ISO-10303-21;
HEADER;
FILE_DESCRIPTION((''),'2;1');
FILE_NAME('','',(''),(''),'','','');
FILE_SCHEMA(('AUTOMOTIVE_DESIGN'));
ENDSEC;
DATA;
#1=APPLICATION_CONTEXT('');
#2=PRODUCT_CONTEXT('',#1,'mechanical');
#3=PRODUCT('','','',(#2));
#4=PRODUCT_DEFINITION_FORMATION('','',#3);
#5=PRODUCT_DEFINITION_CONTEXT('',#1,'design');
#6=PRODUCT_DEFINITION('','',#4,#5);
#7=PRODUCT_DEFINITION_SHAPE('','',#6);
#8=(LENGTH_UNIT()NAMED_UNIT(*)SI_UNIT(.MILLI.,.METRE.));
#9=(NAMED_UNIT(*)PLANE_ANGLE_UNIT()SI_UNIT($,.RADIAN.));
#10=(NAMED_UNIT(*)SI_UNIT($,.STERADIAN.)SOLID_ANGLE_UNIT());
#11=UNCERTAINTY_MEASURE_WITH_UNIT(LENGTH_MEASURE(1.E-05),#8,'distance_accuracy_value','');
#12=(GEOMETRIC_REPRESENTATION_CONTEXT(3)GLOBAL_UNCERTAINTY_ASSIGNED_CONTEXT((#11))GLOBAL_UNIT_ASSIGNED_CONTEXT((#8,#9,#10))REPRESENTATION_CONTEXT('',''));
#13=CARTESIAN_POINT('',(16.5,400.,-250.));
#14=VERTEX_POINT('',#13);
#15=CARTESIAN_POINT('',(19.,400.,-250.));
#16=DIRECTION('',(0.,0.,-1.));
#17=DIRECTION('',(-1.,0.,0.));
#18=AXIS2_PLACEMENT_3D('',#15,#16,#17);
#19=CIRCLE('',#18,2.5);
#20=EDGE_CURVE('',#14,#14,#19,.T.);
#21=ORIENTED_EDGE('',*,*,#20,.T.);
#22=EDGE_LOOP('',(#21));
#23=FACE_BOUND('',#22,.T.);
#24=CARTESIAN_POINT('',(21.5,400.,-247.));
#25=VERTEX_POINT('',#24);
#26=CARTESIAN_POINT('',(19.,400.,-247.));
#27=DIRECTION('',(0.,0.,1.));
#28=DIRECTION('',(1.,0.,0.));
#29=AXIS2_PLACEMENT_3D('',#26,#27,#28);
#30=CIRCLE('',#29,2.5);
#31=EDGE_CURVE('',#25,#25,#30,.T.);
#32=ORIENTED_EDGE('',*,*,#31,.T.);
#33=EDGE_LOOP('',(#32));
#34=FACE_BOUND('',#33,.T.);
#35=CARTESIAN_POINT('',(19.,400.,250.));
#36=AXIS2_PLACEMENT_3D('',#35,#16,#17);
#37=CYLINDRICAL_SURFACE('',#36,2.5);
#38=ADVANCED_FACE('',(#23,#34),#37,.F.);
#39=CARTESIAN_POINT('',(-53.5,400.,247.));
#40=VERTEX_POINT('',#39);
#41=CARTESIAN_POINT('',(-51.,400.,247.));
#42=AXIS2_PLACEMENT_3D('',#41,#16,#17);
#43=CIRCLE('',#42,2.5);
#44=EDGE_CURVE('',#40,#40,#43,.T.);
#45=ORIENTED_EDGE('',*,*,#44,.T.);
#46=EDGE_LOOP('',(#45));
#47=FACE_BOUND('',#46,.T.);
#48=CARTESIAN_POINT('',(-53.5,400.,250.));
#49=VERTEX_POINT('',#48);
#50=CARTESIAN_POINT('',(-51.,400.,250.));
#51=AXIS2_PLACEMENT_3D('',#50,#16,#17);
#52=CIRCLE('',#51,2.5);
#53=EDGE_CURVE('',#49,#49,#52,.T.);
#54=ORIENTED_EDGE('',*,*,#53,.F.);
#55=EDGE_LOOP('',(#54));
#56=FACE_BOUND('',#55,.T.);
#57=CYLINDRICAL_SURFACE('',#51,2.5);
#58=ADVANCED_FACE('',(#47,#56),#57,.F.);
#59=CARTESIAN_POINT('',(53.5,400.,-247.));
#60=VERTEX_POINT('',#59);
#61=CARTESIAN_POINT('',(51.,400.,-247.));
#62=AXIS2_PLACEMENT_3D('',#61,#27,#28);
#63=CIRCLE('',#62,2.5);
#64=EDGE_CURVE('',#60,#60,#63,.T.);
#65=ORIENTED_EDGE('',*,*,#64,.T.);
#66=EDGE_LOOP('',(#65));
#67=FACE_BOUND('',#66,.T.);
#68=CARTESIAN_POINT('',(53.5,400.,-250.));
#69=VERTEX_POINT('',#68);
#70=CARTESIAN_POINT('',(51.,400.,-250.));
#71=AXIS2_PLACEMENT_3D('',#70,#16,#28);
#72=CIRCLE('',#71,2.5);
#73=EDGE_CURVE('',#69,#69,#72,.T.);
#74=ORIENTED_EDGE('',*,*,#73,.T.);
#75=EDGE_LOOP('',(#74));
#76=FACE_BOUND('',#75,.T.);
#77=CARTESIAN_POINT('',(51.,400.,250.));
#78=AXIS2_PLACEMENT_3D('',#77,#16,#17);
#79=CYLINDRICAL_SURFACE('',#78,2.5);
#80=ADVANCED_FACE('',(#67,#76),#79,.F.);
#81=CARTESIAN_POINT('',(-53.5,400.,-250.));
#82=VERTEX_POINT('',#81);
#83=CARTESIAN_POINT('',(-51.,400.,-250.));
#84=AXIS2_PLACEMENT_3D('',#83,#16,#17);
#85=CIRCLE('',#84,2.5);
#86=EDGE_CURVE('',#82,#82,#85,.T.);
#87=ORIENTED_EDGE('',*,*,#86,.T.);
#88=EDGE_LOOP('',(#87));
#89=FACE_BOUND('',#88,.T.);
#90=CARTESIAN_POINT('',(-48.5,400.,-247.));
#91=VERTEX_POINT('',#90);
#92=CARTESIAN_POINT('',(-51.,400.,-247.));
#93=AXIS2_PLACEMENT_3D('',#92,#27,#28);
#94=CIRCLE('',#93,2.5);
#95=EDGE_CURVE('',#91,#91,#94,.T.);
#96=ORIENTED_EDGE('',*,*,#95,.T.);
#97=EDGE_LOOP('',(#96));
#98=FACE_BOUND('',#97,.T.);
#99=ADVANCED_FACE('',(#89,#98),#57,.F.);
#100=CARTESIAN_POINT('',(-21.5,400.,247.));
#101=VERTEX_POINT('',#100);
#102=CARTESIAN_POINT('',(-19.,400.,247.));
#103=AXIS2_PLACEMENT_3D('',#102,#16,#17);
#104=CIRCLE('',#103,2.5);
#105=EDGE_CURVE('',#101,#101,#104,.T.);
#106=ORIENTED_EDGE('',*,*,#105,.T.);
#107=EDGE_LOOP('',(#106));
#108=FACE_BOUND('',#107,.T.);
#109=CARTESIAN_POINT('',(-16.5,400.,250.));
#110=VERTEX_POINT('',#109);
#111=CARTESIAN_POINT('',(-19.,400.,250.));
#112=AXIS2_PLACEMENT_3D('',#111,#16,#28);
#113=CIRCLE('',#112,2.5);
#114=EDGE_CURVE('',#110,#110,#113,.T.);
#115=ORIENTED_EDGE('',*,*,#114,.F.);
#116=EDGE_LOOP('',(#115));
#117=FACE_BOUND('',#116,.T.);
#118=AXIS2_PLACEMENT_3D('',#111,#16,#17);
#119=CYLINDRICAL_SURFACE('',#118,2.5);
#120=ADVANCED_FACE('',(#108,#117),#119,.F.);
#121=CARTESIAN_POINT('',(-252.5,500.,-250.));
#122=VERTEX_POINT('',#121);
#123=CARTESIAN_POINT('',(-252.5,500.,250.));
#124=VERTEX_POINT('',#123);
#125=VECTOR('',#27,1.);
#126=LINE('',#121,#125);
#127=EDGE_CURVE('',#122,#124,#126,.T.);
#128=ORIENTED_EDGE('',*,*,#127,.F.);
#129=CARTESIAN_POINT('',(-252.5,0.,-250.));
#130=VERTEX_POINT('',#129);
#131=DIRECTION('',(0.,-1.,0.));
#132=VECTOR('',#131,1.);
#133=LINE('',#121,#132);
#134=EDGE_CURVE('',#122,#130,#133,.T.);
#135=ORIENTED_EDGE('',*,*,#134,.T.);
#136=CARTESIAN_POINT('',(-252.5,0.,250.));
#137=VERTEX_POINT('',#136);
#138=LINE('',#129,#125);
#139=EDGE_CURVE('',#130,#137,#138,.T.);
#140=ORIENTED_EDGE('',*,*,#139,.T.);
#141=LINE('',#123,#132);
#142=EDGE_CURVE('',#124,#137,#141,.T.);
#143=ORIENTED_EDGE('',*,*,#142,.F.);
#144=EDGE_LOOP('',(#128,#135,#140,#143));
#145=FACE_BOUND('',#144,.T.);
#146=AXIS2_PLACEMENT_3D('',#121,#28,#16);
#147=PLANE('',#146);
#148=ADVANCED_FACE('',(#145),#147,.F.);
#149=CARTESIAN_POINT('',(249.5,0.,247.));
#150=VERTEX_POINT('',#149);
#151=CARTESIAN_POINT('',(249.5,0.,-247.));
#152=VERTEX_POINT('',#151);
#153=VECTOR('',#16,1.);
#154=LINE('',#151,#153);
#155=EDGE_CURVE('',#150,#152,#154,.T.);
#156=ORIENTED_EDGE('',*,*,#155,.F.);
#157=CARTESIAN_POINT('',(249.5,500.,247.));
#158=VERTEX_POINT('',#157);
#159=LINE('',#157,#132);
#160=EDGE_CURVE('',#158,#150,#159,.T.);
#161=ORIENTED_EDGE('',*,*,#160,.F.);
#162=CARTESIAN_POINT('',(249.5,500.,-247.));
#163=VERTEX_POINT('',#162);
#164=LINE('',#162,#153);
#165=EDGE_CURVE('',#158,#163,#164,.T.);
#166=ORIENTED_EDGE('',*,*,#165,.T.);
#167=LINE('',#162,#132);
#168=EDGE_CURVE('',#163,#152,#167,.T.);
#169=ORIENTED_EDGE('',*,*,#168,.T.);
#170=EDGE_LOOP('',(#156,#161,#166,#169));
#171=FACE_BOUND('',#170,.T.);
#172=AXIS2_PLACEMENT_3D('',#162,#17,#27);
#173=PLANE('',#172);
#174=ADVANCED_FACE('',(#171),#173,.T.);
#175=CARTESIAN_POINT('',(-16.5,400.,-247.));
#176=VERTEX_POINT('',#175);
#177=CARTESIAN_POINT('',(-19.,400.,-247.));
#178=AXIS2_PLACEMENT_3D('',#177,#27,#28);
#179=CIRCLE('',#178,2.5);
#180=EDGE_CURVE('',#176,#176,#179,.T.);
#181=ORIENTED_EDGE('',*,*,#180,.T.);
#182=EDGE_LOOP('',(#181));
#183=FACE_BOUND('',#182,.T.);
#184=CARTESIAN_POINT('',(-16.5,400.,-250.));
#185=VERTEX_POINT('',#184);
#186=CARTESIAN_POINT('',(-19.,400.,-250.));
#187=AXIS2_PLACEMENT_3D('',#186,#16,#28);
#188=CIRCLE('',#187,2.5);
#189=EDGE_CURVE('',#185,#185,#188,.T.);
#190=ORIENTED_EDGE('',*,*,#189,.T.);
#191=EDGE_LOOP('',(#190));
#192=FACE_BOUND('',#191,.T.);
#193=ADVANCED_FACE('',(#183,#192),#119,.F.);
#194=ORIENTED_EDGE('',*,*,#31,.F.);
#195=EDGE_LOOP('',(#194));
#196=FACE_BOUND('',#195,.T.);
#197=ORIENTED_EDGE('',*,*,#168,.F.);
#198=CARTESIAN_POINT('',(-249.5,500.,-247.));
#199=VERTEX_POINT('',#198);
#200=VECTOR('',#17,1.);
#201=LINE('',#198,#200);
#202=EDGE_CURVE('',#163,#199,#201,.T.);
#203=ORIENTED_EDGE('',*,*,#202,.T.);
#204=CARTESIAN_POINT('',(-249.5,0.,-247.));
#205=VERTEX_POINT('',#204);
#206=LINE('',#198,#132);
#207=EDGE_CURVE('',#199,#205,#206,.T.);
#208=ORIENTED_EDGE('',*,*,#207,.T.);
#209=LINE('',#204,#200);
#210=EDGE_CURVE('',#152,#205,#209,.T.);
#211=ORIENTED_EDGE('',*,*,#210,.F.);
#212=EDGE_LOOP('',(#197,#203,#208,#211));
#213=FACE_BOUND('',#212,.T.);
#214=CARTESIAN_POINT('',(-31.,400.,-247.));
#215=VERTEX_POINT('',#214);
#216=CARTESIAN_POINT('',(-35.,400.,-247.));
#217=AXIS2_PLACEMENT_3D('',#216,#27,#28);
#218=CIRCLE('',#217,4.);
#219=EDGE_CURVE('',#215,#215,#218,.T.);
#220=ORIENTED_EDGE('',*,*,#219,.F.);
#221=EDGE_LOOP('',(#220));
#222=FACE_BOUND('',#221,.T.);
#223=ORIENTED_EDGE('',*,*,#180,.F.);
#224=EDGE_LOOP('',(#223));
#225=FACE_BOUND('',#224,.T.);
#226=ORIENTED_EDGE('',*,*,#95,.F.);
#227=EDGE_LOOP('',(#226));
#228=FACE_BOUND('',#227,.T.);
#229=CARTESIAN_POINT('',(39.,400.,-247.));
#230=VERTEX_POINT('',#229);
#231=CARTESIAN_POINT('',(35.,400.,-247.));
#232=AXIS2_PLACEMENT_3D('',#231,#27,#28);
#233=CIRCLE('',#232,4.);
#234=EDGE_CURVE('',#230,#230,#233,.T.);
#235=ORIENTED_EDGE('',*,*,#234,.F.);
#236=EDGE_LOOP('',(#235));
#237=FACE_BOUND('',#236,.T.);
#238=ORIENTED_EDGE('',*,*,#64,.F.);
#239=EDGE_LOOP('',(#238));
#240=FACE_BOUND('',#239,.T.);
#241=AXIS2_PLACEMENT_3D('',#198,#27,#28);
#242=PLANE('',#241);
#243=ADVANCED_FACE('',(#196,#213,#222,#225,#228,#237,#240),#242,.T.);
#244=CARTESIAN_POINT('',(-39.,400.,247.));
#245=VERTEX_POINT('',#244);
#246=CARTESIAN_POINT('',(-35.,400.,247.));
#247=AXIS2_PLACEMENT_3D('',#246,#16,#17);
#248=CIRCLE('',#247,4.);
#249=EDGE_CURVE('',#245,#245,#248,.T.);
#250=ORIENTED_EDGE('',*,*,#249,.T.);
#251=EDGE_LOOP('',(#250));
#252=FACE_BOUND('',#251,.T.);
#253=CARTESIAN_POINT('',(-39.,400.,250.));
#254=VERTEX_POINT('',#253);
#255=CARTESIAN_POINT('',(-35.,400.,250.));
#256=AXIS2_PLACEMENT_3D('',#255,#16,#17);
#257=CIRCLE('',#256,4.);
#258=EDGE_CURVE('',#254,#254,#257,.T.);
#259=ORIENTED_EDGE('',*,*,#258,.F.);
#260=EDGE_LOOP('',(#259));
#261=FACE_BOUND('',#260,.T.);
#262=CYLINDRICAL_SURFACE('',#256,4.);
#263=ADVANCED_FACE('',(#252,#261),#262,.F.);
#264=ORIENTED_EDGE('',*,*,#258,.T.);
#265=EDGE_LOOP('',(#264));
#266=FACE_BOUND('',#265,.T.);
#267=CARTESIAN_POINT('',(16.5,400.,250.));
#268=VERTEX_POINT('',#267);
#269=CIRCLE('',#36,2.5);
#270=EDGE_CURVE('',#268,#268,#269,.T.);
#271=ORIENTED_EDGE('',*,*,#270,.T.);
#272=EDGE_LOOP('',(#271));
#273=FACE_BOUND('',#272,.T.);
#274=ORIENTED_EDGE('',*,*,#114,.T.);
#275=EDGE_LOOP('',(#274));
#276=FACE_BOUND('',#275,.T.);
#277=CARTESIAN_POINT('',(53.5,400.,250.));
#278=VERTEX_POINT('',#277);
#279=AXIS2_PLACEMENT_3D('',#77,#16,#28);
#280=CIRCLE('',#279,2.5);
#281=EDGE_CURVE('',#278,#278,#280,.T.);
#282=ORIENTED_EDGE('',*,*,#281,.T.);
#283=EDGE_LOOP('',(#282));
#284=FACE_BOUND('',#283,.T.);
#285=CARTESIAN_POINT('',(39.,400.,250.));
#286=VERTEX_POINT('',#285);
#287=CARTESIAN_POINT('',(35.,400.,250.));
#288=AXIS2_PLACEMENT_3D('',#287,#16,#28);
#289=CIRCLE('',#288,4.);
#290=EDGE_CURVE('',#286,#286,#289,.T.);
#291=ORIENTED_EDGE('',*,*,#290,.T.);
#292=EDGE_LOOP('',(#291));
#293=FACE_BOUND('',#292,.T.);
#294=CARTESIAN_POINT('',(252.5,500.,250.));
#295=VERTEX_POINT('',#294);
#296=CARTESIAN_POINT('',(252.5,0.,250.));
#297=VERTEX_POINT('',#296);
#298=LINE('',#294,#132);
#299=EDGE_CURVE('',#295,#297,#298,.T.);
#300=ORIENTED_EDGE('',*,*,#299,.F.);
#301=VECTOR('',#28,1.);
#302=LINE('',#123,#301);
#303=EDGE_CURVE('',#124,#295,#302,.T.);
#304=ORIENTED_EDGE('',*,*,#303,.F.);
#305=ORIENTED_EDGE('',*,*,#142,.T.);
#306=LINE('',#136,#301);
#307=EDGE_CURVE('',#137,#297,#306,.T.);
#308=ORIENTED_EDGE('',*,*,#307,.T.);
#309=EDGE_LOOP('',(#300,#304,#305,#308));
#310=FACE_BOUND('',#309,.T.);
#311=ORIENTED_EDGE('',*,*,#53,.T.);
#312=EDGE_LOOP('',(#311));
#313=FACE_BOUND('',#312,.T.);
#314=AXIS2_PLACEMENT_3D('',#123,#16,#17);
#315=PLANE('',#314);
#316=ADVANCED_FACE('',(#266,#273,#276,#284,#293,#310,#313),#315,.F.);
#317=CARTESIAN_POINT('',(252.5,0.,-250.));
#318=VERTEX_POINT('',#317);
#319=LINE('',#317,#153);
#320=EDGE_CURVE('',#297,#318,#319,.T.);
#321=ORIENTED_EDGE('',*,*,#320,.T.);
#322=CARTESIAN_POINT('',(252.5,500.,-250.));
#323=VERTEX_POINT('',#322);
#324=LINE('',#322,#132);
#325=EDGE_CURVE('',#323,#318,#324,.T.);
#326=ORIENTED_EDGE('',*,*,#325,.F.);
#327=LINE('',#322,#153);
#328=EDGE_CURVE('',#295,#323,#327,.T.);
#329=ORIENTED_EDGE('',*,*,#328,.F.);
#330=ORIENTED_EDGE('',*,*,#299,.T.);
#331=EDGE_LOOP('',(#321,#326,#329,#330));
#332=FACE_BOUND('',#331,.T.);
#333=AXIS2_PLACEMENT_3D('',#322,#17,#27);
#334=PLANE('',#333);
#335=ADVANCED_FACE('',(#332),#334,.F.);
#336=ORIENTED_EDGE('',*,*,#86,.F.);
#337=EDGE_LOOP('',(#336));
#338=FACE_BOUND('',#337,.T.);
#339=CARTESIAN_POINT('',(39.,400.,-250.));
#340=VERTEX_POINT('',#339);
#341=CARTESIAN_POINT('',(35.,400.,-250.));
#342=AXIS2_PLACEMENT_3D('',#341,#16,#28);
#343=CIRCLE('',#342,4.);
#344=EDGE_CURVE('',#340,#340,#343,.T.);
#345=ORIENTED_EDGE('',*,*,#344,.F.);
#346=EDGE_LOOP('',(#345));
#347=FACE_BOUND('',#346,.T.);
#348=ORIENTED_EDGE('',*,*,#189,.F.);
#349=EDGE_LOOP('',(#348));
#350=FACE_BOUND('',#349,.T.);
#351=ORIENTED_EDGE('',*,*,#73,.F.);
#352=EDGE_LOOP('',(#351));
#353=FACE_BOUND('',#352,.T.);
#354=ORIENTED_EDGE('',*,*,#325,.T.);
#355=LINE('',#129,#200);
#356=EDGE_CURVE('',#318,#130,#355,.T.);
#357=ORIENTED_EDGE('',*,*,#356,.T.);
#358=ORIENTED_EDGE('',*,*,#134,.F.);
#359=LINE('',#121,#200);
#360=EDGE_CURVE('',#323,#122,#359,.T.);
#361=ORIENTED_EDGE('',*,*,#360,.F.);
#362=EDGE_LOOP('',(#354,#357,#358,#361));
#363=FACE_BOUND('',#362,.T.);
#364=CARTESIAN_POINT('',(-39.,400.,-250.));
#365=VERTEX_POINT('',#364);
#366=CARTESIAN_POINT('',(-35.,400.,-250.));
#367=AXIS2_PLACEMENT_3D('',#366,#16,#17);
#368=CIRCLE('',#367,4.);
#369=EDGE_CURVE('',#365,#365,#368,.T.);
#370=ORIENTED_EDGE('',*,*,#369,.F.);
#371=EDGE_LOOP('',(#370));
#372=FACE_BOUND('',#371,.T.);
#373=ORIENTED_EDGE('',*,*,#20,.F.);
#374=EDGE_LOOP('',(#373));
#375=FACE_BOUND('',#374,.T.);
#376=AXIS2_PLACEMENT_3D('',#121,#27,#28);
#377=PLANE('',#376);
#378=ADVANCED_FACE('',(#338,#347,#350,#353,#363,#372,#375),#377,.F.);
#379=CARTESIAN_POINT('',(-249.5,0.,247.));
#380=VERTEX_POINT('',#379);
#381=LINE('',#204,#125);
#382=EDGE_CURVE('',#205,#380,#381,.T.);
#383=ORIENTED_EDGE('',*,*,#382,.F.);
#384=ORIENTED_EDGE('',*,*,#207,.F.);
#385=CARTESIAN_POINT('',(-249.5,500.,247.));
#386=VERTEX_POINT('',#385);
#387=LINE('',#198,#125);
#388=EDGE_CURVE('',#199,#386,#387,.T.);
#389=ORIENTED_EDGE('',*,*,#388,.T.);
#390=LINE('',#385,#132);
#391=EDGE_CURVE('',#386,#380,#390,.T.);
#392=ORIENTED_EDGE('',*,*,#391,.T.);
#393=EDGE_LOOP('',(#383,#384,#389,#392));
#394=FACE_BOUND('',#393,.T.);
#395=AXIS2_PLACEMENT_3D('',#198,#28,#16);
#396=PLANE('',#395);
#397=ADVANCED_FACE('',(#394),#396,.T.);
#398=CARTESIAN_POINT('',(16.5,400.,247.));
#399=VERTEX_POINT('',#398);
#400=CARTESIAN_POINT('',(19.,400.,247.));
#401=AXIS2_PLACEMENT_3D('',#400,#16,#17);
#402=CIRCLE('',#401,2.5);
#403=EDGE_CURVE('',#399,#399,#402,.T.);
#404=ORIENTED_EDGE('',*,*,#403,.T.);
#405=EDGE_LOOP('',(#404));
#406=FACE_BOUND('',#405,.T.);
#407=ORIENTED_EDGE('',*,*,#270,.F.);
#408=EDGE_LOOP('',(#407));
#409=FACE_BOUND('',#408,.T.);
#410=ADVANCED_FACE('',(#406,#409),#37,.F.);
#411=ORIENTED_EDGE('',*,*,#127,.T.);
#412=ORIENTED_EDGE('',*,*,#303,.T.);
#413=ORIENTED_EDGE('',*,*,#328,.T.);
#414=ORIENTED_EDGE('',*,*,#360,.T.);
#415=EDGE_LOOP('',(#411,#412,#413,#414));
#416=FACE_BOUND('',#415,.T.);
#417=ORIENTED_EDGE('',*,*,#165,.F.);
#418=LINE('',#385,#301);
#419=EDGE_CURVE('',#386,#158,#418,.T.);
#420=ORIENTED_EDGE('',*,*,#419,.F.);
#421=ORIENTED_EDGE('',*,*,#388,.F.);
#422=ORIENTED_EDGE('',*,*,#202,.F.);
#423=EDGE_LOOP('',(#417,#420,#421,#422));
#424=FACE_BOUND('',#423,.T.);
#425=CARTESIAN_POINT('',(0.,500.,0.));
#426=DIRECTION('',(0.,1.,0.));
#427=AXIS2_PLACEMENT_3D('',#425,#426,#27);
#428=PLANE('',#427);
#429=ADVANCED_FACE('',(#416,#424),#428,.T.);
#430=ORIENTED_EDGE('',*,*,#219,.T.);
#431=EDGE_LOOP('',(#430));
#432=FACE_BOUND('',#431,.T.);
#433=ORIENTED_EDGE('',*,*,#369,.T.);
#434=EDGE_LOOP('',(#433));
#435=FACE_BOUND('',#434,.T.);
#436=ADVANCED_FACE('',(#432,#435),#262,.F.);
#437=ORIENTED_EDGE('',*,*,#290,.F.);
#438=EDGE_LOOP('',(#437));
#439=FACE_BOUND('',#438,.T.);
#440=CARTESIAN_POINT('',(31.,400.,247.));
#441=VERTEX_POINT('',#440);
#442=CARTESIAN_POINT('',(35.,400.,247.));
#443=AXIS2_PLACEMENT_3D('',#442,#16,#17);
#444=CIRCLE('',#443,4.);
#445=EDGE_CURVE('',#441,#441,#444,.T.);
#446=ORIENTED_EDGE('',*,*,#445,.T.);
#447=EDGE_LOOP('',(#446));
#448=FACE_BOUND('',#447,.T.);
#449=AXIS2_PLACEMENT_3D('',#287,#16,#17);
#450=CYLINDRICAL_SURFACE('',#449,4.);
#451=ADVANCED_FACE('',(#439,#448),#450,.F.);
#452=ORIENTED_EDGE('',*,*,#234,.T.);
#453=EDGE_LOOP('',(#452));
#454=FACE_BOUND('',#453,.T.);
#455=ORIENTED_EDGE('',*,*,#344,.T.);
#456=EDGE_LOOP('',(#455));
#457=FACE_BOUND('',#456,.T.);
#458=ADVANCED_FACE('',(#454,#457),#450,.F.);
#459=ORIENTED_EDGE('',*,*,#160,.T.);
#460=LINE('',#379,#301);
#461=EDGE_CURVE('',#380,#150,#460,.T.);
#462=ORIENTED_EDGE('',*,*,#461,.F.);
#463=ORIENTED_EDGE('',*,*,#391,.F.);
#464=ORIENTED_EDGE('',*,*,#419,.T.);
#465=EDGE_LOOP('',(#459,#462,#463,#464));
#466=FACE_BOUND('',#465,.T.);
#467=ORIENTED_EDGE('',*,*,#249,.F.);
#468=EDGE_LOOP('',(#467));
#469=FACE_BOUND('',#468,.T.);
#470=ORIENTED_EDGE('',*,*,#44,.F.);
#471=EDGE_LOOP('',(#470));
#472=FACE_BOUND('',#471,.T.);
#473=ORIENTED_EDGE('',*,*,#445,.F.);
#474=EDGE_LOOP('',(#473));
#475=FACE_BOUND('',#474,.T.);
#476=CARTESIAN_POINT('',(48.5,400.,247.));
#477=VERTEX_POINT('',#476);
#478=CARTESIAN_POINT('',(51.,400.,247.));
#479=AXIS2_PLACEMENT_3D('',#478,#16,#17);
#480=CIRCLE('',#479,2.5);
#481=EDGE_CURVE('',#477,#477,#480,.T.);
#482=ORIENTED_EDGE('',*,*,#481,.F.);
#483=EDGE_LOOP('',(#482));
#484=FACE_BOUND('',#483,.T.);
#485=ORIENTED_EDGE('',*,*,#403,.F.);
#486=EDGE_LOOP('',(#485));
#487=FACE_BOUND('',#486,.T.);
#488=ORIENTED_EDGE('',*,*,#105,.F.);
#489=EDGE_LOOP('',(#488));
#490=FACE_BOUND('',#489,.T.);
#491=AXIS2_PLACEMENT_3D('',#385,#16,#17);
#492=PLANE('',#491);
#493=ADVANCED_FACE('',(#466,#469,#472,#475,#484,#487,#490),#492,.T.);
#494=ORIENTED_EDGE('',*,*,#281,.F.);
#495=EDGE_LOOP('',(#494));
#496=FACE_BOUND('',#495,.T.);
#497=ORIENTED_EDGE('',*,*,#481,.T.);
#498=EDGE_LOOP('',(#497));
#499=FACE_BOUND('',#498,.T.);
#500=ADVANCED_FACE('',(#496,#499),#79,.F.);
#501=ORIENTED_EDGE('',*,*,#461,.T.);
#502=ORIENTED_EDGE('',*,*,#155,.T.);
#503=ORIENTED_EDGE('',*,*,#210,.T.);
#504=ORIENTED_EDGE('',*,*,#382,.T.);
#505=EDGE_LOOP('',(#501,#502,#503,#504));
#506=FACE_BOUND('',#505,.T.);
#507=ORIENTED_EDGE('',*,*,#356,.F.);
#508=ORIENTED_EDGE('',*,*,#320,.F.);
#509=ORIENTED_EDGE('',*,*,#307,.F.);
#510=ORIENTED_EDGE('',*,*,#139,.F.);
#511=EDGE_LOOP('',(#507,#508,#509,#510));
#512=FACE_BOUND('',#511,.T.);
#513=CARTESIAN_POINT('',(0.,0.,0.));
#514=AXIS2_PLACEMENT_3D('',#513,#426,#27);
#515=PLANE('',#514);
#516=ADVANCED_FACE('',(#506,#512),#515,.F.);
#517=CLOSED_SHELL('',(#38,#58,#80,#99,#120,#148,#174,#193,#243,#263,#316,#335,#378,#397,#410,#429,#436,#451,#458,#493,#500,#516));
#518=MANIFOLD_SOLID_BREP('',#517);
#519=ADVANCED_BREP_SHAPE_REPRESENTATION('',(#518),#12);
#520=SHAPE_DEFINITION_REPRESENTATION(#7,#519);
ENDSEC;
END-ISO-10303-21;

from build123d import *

# Parameters (mm, degrees)
SKETCH1_W               = 505
SKETCH1_H               = 500
SKETCH1_W_2             = 499
SKETCH1_H_2             = 494
BOSS_EXTRUDE1_DEPTH     = 500
CUT_EXTRUDE2_DEPTH      = 751.837032917
CUT_EXTRUDE2_DEPTH_BACK = 751.837032917
SKETCH4_R               = 4
SKETCH4_R_2             = 2.5


with BuildPart() as part:
    # Sketch1 → Boss-Extrude1 (new body)
    with BuildSketch(Plane(origin=(0, 0, 0), x_dir=(1, 0, 0), z_dir=(0, 1, 0))):
        Rectangle(SKETCH1_W, SKETCH1_H)
        Rectangle(SKETCH1_W_2, SKETCH1_H_2, mode=Mode.SUBTRACT)
    extrude(amount=BOSS_EXTRUDE1_DEPTH)

    # Sketch4 → Cut-Extrude2 (cut, two sides: drawn at the far end of the back side and taken through both)
    with BuildSketch(Plane(origin=(0, 0, -250), x_dir=(-1, 0, 0), z_dir=(0, 0, -1)).offset(-CUT_EXTRUDE2_DEPTH_BACK)):
        with Locations((35, 400)):
            Circle(SKETCH4_R)
        with Locations(Location((-35, 400, 0), (0, 0, 180))):
            Circle(SKETCH4_R)
        with Locations((-19, 400)):
            Circle(SKETCH4_R_2)
        with Locations(Location((-51, 400, 0), (0, 0, 180))):
            Circle(SKETCH4_R_2)
        with Locations(Location((19, 400, 0), (0, 0, 180))):
            Circle(SKETCH4_R_2)
        with Locations((51, 400)):
            Circle(SKETCH4_R_2)
    extrude(amount=CUT_EXTRUDE2_DEPTH + CUT_EXTRUDE2_DEPTH_BACK, mode=Mode.SUBTRACT)


solid = part.part
